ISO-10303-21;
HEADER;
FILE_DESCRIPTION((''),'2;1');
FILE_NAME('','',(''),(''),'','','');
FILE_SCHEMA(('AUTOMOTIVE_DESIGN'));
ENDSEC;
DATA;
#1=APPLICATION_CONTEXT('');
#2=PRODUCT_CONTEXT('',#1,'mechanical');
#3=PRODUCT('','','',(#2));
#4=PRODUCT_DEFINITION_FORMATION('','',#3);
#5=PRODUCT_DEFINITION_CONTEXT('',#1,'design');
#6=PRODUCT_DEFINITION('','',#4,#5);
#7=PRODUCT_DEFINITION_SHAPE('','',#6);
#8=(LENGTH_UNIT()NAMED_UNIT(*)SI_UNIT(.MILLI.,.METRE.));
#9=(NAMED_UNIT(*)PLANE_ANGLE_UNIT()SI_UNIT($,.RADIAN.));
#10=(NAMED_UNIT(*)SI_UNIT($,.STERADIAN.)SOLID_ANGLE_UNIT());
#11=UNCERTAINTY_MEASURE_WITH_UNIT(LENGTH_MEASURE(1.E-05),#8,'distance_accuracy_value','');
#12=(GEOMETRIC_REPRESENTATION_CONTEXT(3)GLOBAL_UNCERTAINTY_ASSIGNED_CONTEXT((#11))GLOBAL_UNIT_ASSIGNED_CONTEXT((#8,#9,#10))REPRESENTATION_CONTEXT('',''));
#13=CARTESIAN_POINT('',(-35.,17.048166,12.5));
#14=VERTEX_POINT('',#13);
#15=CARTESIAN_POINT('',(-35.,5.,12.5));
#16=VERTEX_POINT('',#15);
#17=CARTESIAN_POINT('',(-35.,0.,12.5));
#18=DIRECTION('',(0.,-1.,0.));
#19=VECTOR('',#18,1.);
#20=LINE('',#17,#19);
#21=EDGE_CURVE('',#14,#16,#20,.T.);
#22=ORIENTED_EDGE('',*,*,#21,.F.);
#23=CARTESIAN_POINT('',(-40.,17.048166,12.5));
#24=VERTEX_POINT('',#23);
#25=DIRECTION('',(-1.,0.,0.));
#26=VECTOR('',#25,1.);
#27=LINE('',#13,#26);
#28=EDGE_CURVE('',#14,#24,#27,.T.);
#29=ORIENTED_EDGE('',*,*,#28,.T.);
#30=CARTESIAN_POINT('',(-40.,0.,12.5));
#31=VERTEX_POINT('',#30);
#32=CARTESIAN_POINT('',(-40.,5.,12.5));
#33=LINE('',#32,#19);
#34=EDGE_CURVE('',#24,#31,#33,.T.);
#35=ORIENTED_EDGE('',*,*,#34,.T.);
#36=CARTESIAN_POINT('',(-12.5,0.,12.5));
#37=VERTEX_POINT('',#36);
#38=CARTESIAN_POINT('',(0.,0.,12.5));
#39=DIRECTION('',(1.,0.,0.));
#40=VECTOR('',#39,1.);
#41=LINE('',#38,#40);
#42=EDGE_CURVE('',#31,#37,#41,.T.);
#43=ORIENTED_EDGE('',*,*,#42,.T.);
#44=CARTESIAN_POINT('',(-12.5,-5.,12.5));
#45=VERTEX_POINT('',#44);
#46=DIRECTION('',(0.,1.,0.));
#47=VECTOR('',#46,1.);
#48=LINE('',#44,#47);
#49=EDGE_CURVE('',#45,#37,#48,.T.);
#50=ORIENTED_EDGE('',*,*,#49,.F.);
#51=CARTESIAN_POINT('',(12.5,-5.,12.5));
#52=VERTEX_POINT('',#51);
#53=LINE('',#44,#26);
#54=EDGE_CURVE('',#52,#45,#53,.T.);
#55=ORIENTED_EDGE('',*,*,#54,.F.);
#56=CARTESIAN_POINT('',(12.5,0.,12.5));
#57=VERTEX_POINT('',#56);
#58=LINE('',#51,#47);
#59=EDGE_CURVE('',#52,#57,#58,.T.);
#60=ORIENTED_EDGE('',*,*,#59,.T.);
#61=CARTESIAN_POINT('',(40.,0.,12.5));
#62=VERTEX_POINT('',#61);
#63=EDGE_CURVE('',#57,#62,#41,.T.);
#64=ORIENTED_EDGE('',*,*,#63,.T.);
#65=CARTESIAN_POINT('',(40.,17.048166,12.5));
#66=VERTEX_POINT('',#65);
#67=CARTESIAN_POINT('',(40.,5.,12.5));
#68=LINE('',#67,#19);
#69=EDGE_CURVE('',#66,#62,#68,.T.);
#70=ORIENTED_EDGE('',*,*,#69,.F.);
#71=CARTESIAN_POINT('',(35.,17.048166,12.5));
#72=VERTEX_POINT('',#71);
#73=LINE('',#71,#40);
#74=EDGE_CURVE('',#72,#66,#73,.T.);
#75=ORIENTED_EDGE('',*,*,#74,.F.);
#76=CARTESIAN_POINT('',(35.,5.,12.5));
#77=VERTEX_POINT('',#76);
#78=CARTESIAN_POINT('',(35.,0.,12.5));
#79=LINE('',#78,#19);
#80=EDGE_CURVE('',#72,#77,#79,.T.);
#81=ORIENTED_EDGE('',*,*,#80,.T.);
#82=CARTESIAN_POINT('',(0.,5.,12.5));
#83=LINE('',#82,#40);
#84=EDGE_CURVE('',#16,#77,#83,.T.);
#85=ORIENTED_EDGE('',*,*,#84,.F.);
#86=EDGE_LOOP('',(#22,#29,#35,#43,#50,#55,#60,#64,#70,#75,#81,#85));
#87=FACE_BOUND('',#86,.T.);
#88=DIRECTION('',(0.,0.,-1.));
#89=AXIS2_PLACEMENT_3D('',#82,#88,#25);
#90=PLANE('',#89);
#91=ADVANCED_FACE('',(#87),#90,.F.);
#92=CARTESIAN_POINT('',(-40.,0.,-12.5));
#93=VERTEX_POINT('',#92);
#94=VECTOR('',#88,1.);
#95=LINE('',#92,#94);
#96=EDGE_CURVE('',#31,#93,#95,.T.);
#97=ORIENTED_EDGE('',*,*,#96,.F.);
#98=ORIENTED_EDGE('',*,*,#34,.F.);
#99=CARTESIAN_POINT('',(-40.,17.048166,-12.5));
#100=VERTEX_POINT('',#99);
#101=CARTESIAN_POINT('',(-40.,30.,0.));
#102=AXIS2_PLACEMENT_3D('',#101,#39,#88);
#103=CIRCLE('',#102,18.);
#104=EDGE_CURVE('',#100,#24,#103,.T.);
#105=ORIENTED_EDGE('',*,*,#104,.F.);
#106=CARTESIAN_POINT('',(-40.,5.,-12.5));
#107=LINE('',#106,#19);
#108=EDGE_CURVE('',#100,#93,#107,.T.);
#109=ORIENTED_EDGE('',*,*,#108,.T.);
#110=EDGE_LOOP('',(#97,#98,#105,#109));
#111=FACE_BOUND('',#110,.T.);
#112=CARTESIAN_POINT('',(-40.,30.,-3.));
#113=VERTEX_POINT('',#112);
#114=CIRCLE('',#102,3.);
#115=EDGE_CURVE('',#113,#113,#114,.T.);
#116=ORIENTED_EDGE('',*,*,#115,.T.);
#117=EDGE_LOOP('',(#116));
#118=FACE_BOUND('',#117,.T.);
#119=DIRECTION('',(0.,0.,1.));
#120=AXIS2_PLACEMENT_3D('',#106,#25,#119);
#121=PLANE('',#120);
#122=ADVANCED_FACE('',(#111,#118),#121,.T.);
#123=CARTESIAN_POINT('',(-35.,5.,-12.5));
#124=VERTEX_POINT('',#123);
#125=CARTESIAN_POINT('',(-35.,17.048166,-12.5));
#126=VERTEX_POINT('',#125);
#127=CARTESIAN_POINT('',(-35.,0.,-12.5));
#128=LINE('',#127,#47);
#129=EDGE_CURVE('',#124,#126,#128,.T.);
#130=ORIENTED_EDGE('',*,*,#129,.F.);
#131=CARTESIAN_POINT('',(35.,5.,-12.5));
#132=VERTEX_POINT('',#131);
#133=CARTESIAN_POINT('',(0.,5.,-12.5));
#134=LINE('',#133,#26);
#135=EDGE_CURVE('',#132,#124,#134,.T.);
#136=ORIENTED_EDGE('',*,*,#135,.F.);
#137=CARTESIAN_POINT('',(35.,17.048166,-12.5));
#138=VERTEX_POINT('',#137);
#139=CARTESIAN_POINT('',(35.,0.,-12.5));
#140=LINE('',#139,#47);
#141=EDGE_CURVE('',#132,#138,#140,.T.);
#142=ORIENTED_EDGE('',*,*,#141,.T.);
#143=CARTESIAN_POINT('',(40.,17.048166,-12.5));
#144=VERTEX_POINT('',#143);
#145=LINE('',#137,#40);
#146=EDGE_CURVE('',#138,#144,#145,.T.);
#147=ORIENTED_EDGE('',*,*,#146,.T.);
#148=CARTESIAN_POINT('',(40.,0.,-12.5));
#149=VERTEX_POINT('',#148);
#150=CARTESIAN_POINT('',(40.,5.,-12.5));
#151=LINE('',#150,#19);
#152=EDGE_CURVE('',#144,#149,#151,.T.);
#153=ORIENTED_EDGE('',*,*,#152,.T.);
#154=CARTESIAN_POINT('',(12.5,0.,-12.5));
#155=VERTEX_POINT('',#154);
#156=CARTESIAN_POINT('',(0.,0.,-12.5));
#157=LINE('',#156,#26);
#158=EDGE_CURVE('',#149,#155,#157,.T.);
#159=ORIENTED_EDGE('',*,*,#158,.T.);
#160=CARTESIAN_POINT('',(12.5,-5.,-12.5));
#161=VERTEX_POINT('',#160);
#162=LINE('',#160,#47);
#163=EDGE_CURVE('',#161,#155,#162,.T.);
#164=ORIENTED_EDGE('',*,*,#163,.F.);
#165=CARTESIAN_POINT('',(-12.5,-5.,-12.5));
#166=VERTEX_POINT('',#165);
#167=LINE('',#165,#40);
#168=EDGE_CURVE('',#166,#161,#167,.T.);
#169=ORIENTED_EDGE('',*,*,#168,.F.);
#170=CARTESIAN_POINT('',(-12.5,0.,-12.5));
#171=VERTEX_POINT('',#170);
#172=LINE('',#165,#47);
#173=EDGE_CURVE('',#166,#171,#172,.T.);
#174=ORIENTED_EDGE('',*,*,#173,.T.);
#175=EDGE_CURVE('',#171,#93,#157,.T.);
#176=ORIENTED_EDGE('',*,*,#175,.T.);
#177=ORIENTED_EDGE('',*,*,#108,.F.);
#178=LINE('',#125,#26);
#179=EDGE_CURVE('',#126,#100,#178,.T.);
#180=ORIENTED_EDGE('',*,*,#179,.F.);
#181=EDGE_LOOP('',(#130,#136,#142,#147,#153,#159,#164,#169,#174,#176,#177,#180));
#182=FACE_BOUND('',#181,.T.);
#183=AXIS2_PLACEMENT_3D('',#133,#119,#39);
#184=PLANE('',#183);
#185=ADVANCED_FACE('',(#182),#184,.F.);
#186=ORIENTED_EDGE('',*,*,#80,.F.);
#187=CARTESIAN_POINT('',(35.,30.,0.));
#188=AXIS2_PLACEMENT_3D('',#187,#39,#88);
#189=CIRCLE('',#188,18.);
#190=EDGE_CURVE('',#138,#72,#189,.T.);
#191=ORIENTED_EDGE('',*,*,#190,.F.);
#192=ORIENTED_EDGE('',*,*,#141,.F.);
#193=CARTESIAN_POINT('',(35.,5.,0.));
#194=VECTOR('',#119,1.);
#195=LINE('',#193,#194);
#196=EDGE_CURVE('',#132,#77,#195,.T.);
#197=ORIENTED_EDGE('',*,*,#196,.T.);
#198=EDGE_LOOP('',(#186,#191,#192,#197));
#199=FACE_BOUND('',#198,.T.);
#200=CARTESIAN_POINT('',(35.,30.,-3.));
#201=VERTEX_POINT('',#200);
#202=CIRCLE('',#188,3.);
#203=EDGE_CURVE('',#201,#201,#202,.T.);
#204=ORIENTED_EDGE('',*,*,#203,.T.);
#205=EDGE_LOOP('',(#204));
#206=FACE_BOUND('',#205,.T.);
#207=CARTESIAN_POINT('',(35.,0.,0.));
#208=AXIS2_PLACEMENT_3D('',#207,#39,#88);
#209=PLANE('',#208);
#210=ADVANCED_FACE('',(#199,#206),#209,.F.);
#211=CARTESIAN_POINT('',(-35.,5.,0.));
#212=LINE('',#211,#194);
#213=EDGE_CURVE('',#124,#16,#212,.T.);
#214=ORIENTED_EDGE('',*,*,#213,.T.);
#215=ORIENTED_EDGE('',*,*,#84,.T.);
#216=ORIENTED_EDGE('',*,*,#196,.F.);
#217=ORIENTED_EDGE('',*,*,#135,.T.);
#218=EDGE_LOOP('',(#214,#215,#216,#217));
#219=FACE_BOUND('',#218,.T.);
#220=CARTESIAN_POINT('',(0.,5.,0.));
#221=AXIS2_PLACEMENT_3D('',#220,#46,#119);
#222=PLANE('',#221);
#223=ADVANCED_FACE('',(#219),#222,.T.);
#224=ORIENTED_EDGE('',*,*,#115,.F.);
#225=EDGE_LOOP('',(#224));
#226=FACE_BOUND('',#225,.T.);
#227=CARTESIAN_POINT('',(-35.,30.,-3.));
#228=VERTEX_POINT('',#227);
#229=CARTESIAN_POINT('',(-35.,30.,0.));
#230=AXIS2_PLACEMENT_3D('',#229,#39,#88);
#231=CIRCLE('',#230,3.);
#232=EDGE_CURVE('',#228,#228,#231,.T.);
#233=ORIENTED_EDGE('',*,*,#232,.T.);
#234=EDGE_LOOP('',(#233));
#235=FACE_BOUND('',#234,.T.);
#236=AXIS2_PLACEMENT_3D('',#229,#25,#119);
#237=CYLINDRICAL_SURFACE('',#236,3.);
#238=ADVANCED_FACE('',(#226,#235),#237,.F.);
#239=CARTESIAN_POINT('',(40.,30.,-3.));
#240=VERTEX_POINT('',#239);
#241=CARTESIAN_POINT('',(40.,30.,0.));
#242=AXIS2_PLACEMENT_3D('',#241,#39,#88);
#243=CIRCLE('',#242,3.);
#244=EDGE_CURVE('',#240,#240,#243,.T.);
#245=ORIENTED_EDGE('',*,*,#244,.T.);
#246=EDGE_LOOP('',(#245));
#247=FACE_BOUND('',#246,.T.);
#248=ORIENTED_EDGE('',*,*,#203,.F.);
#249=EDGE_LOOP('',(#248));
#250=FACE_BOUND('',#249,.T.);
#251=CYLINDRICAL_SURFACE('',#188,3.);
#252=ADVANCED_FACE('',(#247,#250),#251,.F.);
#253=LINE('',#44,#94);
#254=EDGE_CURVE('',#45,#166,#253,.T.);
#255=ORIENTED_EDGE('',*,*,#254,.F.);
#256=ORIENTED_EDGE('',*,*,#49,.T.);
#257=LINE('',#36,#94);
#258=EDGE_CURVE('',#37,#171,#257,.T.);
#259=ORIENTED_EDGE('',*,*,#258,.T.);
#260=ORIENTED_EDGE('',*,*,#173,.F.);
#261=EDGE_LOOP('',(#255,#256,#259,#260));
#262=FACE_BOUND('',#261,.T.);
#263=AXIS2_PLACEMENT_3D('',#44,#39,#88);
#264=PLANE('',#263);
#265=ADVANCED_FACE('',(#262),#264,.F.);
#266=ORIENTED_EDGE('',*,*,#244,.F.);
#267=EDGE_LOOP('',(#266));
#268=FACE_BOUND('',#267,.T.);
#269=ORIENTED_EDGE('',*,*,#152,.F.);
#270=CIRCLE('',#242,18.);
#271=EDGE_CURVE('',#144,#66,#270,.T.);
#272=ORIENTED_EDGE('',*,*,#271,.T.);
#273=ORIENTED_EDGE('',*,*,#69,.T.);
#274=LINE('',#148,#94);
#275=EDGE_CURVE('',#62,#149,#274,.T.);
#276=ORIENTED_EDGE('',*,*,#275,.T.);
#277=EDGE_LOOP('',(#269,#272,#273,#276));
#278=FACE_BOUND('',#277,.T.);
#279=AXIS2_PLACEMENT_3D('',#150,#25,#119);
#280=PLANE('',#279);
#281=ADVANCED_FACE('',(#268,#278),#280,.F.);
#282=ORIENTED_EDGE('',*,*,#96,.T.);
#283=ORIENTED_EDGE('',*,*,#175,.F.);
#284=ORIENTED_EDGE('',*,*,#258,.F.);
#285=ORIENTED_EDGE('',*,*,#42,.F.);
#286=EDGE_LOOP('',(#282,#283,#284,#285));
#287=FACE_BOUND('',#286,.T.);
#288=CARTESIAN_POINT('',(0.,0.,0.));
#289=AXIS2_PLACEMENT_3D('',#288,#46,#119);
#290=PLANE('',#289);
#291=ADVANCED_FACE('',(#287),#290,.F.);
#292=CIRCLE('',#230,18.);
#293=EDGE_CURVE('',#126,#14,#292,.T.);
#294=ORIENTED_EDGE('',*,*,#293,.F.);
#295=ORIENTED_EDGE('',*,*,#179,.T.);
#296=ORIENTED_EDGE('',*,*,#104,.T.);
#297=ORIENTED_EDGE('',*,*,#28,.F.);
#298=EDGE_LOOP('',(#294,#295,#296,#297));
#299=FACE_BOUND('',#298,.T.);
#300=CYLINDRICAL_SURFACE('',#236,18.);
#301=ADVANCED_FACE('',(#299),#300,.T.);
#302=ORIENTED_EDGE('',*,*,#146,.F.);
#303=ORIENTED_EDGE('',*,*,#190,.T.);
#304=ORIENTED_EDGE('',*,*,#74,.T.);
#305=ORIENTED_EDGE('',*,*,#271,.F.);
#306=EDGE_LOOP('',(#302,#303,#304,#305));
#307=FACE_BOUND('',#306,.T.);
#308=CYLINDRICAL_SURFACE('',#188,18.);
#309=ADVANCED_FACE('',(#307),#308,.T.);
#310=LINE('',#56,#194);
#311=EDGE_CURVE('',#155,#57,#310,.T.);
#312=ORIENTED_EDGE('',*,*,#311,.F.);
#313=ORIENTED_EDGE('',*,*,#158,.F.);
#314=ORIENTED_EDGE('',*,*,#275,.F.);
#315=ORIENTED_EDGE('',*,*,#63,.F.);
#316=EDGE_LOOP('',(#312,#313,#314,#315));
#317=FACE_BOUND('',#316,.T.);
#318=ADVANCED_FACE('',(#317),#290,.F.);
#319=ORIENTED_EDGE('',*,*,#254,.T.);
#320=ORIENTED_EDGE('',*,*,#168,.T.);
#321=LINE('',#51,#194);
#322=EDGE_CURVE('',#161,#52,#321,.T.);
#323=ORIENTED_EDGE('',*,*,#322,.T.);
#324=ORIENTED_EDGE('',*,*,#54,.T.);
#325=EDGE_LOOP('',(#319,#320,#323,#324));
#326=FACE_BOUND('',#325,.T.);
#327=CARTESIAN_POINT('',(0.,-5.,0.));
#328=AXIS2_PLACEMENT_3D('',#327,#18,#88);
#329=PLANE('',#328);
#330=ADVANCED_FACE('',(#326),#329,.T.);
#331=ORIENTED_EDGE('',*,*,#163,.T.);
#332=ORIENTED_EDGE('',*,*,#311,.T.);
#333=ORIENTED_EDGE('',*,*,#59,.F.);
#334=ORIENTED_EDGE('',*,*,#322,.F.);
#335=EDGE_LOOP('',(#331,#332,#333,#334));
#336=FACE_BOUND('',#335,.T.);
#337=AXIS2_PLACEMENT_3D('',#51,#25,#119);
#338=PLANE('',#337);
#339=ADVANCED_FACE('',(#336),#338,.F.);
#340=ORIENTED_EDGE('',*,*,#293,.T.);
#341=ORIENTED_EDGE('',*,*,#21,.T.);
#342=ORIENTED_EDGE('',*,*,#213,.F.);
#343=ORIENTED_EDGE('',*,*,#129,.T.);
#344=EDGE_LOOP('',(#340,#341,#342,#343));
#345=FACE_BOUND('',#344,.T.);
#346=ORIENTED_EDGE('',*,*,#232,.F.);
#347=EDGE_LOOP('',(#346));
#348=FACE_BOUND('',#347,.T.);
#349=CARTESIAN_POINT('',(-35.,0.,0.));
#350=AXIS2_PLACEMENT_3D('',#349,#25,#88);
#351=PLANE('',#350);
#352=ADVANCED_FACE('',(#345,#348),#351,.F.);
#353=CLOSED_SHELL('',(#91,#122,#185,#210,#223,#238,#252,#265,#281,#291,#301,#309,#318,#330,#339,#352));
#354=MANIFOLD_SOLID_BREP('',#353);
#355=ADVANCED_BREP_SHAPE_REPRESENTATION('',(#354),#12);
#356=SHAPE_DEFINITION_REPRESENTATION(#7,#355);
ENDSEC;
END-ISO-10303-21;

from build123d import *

# Parameters (mm, degrees)
SKETCH1_W           = 40
SKETCH1_H           = 25
BOSS_EXTRUDE1_DEPTH = 5
SKETCH6_R           = 18
SKETCH6_R_2         = 3
BOSS_EXTRUDE4_DEPTH = 5
SKETCH7_W           = 25
SKETCH7_H           = 25
BOSS_EXTRUDE5_DEPTH = 5


with BuildPart() as part:
    # Sketch1 → Boss-Extrude1 (new body)
    with BuildSketch(Plane(origin=(0, 0, 0), x_dir=(1, 0, 0), z_dir=(0, 1, 0))):
        with Locations((20, 0)):
            Rectangle(SKETCH1_W, SKETCH1_H)
    boss_extrude1 = extrude(amount=BOSS_EXTRUDE1_DEPTH)

    # Sketch6 → Boss-Extrude4 (add)
    # profile 1 of 2: a face of its own
    with BuildSketch(Plane(origin=(40, 0, 0), x_dir=(0, 0, -1), z_dir=(1, 0, 0))):
        with Locations((0, 30)):
            Circle(SKETCH6_R)
        with Locations((0, 30)):
            Circle(SKETCH6_R_2, mode=Mode.SUBTRACT)
    # profile 2 of 2: a face of its own
    with BuildSketch(Plane(origin=(40, 0, 0), x_dir=(0, 0, -1), z_dir=(1, 0, 0))):
        with BuildLine():
            ThreePointArc((12.5, 17.048166153), (0, 12), (-12.5, 17.048166153))
            Line((-12.5, 17.048166153), (-12.5, 5))
            Line((-12.5, 5), (12.5, 5))
            Line((12.5, 5), (12.5, 17.048166153))
        make_face()
    boss_extrude4 = extrude(amount=-BOSS_EXTRUDE4_DEPTH)

    # Mirror2: Boss-Extrude1, Boss-Extrude4 across plane
    add(boss_extrude1.mirror(Plane(origin=(0, 5, -12.5), x_dir=(0, 0, 1), z_dir=(1, 0, 0))))
    add(boss_extrude4.mirror(Plane(origin=(0, 5, -12.5), x_dir=(0, 0, 1), z_dir=(1, 0, 0))))

    # Sketch7 → Boss-Extrude5 (add)
    with BuildSketch(Plane.XZ):
        Rectangle(SKETCH7_W, SKETCH7_H)
    extrude(amount=BOSS_EXTRUDE5_DEPTH)


solid = part.part
